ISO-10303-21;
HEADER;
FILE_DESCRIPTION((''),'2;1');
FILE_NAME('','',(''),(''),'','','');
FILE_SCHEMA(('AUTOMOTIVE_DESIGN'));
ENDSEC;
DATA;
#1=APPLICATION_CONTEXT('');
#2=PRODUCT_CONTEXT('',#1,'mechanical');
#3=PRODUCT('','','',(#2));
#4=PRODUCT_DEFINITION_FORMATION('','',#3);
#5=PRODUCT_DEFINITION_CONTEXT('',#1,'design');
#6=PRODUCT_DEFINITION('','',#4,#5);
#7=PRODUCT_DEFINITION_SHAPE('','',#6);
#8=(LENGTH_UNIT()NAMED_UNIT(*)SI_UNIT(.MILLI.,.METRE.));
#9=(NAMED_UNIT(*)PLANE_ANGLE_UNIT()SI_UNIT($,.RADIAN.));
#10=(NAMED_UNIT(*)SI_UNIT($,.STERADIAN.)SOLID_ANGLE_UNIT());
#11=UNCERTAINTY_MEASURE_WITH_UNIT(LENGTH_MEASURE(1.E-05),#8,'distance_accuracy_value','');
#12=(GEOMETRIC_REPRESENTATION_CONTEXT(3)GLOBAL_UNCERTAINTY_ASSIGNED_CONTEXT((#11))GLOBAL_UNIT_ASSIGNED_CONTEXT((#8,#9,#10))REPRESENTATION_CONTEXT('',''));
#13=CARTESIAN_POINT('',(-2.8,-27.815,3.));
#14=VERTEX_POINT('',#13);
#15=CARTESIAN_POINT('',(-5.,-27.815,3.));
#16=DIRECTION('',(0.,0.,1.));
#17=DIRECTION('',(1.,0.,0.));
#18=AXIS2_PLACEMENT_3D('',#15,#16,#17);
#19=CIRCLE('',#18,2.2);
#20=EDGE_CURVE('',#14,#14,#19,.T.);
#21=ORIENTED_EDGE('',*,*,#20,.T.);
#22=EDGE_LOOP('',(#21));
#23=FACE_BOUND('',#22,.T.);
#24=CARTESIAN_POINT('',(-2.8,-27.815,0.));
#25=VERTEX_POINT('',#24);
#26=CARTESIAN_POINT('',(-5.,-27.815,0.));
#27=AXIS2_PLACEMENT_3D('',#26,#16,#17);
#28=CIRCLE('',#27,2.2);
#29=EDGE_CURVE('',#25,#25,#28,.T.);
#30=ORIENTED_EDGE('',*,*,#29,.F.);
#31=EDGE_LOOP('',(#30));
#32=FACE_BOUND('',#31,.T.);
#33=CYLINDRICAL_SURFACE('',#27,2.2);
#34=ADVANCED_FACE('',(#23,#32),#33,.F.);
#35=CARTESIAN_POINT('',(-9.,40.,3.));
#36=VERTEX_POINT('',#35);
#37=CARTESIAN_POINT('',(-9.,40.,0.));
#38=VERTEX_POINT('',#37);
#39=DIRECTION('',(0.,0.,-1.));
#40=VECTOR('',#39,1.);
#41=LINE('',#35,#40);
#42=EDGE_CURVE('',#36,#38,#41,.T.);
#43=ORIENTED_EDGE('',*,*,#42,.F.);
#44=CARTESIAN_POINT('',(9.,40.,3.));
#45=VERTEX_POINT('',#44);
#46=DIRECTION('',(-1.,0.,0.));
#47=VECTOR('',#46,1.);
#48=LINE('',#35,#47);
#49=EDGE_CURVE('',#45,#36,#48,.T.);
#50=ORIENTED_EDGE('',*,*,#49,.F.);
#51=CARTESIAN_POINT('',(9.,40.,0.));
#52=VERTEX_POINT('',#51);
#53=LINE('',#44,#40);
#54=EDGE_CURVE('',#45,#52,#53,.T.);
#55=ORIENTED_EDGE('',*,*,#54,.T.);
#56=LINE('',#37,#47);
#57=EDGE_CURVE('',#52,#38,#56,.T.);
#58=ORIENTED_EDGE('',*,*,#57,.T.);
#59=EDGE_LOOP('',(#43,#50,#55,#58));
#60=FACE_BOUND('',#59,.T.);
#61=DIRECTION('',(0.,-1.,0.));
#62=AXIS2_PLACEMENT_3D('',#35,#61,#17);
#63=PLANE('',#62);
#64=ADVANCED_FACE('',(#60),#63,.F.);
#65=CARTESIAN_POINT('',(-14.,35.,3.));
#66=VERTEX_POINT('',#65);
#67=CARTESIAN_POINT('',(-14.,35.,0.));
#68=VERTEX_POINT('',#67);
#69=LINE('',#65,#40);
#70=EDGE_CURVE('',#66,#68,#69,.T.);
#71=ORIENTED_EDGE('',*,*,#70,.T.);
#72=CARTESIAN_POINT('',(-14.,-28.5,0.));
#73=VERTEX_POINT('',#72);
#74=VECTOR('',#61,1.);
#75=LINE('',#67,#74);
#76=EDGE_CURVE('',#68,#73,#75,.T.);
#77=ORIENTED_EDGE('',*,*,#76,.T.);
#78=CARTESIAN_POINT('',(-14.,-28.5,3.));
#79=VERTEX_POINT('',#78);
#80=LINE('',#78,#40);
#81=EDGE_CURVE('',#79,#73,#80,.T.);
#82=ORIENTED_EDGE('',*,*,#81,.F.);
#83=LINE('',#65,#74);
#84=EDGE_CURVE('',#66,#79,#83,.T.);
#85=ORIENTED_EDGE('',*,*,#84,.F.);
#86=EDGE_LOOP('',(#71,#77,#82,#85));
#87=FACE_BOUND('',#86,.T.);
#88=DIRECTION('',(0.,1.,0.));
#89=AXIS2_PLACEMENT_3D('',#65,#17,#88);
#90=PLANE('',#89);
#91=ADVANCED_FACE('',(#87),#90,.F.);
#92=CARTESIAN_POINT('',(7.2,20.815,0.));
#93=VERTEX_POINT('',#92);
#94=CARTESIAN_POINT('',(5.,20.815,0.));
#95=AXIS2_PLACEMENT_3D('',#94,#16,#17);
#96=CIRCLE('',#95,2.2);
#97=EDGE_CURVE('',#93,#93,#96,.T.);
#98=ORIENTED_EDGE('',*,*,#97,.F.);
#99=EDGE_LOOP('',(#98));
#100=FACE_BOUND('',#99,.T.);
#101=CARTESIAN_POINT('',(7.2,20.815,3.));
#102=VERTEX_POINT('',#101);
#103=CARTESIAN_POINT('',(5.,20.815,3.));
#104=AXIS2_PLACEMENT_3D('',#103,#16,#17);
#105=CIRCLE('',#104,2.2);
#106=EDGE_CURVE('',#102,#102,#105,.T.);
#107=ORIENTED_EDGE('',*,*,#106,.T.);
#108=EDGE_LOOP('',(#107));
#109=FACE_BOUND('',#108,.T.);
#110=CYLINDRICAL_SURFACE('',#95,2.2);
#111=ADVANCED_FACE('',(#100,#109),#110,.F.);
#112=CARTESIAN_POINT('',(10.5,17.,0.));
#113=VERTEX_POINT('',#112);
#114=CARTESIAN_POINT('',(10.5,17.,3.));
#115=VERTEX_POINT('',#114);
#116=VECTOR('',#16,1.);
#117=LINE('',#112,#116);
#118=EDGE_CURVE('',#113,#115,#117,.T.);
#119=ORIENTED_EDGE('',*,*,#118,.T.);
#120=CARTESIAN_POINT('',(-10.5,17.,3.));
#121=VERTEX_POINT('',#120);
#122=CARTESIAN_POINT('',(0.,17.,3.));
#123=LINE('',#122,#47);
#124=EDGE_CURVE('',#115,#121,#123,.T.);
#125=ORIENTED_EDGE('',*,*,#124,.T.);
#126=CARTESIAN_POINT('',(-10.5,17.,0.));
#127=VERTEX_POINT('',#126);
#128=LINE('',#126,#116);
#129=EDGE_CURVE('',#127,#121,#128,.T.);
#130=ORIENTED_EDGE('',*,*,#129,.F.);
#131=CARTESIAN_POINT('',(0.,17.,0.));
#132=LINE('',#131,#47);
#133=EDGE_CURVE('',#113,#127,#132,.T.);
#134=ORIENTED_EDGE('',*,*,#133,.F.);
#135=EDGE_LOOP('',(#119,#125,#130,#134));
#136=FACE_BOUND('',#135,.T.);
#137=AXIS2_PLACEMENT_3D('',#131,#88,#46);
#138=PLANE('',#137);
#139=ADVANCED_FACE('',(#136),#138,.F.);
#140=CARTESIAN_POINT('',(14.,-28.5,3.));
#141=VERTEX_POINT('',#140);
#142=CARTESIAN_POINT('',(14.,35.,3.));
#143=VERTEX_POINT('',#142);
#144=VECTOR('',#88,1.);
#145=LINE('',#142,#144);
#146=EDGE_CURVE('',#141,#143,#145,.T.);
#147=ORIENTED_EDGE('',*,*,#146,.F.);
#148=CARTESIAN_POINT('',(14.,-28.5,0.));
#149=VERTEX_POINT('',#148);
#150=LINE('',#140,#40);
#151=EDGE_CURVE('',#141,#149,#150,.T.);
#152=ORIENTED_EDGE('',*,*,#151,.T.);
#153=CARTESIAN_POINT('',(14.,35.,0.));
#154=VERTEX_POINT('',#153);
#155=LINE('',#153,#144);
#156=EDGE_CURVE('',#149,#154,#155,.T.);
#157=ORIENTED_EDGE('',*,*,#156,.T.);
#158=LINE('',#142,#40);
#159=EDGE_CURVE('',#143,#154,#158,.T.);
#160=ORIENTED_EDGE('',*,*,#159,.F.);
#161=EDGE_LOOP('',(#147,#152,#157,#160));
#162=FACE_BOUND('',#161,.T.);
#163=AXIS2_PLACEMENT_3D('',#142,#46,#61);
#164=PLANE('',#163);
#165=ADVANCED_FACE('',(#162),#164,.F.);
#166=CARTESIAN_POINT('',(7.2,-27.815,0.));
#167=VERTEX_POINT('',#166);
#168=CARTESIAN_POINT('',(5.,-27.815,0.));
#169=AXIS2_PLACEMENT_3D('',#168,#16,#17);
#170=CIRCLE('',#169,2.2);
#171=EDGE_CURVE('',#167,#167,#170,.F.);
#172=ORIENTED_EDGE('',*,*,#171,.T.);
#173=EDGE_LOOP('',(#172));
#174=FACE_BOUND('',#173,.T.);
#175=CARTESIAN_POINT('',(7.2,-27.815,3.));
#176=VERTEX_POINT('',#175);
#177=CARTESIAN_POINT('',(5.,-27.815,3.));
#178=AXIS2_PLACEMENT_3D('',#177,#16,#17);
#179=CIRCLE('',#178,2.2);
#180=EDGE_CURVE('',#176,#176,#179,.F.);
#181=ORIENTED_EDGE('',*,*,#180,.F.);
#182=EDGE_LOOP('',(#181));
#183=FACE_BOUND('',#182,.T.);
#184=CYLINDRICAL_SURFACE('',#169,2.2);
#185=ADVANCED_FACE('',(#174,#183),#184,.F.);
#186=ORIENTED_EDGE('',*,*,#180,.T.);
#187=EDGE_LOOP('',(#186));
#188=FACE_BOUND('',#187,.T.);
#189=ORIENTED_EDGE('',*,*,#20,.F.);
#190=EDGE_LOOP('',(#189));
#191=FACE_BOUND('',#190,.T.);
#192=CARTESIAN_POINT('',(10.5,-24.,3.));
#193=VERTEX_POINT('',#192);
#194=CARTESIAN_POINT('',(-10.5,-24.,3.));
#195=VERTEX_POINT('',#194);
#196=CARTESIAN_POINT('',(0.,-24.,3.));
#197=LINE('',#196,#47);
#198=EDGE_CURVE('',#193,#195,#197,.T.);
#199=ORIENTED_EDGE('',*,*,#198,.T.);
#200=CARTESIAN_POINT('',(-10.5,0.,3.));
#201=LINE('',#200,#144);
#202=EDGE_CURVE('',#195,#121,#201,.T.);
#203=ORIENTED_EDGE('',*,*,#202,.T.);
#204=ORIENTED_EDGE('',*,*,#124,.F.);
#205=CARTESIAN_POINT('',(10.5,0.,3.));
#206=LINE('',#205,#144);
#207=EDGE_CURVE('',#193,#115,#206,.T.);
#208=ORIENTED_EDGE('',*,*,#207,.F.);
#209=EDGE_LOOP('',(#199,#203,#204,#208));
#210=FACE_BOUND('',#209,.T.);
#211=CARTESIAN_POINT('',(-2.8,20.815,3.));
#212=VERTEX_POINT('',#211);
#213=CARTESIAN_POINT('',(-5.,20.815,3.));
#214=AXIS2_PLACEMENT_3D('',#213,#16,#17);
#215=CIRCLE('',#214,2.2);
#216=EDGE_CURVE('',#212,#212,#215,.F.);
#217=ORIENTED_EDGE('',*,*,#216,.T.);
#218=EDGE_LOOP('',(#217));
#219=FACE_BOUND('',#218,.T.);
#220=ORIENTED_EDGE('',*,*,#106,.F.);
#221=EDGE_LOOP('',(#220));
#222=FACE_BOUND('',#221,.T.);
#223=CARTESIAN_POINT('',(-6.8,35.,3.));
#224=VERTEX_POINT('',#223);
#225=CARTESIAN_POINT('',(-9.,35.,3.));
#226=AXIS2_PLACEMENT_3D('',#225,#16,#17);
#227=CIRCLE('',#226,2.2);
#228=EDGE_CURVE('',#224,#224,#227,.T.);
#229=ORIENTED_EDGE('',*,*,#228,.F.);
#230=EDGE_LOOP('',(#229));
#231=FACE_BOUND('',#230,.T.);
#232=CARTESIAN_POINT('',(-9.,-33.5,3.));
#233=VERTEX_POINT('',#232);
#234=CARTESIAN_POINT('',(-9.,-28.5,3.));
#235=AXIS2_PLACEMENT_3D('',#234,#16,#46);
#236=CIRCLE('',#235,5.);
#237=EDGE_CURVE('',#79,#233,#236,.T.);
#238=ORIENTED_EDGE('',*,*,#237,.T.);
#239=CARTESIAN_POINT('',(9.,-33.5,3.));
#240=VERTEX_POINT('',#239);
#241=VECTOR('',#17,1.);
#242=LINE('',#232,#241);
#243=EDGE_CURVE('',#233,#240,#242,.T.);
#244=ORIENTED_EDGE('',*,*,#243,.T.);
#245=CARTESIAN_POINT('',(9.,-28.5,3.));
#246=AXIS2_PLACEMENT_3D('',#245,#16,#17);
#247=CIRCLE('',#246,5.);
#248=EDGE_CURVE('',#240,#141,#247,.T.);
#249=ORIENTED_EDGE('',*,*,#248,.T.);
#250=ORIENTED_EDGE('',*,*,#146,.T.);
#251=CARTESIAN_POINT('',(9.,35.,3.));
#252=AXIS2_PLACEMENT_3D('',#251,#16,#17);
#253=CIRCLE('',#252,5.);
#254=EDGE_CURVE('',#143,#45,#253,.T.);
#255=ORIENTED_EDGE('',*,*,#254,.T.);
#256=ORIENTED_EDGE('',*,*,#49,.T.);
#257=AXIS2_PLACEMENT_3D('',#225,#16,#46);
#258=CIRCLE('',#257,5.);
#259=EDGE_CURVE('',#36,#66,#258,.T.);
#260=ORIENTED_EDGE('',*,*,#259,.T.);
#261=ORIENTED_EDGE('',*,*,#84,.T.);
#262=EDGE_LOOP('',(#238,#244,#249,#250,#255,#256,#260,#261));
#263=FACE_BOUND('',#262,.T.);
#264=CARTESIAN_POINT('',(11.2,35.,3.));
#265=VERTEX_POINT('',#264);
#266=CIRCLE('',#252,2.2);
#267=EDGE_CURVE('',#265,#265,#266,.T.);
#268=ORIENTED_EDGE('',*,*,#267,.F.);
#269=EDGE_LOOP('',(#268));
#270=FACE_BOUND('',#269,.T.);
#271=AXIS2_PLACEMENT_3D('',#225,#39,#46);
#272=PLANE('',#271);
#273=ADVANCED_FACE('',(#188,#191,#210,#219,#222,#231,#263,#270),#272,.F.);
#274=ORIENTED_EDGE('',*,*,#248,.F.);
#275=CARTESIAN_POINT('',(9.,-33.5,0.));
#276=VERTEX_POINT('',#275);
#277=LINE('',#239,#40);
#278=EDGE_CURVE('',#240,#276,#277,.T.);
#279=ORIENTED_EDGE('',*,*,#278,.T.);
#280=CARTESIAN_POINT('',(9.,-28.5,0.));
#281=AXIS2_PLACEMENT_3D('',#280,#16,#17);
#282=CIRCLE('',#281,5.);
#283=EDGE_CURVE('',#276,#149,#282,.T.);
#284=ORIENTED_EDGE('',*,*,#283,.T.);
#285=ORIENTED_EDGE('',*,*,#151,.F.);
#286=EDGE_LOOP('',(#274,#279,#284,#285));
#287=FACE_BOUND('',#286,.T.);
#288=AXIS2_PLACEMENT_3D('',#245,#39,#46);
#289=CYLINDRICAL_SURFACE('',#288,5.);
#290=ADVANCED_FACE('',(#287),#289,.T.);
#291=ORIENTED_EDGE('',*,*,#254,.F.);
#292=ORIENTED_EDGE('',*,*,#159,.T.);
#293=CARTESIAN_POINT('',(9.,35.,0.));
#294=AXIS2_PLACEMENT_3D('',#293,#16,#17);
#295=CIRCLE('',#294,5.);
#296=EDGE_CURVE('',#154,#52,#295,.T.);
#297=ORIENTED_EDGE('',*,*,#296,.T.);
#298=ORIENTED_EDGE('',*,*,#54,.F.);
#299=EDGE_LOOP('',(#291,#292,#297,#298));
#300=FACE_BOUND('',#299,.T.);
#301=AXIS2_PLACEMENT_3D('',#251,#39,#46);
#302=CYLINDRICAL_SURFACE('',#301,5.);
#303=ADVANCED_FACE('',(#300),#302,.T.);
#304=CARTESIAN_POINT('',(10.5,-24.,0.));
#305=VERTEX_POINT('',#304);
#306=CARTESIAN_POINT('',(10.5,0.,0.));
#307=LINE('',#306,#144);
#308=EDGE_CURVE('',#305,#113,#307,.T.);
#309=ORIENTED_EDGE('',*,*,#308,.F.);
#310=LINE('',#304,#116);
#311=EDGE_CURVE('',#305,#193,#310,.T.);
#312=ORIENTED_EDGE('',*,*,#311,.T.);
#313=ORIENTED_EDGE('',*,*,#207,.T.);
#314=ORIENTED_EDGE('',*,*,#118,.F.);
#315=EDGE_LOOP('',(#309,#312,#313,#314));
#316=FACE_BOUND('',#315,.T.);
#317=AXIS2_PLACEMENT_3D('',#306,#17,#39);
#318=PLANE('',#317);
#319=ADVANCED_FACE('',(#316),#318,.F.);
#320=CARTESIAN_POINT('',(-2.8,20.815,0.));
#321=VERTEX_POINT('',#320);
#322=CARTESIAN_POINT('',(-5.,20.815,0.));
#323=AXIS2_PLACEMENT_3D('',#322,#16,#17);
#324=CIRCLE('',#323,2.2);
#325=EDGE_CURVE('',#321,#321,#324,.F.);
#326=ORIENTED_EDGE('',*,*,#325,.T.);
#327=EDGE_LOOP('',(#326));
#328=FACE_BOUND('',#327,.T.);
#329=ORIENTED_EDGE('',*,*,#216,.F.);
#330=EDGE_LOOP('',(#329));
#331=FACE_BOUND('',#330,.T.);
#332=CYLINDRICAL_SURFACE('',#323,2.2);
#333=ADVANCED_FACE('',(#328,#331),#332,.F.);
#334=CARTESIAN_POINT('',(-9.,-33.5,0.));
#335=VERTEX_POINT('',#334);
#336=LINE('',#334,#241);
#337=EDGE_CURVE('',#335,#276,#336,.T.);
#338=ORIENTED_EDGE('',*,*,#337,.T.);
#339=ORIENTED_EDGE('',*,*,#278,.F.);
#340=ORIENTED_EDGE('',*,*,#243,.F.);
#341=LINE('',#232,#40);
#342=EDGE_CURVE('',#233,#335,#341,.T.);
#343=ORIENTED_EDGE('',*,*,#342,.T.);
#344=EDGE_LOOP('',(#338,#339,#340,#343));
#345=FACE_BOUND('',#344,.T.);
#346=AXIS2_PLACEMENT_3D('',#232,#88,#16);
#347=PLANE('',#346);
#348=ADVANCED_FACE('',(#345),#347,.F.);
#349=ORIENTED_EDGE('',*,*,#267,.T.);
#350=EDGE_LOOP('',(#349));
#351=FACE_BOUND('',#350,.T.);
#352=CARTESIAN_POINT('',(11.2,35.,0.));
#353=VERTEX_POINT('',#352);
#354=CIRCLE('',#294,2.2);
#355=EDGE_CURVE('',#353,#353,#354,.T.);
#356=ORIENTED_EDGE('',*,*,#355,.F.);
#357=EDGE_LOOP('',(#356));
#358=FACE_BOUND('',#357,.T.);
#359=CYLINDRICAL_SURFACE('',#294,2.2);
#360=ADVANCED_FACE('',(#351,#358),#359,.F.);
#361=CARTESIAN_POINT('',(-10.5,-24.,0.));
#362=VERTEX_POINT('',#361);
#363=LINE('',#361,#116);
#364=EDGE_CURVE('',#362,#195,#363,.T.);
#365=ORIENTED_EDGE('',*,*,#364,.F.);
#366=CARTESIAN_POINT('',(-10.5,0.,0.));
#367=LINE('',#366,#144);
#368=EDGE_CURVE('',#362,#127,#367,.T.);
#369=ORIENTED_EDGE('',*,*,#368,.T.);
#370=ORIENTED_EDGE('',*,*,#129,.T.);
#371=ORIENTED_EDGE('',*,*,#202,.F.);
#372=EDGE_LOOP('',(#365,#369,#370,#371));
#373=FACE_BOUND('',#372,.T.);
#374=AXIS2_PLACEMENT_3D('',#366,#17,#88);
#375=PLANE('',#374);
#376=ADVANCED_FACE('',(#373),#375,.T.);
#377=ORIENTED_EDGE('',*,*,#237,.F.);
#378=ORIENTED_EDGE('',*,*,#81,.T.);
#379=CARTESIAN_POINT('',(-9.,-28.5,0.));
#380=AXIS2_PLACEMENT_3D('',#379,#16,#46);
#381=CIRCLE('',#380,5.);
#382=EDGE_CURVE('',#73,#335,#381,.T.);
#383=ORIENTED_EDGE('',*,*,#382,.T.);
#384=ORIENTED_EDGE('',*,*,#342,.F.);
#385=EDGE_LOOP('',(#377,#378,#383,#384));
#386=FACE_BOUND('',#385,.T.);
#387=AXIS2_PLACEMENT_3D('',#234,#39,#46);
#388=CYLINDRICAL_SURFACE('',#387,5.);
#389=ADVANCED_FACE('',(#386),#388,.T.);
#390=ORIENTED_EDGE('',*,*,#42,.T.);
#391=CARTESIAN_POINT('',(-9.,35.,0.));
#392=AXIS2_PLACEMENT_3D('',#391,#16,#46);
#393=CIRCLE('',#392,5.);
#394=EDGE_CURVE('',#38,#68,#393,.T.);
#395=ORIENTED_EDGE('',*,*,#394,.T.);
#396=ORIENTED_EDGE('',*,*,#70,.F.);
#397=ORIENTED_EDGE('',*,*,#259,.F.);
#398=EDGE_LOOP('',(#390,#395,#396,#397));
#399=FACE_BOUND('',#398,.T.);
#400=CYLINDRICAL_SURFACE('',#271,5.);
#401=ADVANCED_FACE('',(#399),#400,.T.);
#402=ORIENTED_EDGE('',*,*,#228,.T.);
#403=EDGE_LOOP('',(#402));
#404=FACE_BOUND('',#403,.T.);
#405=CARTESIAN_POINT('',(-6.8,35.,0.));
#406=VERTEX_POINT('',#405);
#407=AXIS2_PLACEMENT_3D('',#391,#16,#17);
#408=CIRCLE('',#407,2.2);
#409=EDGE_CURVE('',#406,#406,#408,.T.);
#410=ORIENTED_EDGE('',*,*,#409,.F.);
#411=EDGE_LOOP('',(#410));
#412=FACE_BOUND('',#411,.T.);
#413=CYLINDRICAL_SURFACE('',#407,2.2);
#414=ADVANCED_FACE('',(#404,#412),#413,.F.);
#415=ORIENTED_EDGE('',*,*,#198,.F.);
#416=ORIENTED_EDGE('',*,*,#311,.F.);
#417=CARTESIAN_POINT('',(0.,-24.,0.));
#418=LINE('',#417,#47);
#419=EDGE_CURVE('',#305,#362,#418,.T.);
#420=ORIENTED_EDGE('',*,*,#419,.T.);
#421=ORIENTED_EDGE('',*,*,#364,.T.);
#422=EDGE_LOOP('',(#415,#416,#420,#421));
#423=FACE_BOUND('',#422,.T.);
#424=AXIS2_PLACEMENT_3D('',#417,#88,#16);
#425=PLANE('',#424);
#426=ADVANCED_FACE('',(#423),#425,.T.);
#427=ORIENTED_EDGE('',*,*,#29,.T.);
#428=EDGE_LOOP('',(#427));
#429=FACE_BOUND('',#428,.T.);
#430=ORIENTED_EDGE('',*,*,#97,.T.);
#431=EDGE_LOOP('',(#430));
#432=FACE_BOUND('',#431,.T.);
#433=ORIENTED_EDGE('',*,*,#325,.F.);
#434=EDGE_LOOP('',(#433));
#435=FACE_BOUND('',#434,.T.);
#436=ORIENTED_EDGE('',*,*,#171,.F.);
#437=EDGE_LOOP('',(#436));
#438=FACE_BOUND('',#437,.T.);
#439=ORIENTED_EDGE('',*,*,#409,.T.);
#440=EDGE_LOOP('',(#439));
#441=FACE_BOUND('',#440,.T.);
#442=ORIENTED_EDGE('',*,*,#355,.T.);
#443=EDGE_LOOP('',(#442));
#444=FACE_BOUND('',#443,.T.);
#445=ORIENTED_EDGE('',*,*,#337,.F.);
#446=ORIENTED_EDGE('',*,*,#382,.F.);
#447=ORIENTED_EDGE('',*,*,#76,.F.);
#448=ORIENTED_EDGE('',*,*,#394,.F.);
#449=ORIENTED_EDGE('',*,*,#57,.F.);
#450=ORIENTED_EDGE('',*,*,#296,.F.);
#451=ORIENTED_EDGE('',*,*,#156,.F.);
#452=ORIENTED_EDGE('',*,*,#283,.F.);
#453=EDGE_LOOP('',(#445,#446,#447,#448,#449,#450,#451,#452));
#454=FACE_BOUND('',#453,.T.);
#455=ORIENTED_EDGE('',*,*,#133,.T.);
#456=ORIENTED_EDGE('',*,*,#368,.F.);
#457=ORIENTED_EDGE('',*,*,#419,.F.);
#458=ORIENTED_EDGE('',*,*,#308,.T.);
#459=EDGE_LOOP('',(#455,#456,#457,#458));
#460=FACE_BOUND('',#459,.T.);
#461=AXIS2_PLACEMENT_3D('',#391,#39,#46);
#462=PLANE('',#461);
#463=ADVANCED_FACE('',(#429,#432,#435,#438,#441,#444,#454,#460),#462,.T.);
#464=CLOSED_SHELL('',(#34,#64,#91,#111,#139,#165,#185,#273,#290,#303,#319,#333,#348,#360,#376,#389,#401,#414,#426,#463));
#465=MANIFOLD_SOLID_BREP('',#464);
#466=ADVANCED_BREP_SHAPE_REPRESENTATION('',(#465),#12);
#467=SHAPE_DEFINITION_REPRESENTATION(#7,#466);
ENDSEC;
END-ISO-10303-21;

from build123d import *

# Parameters (mm, degrees)
EXTRUDE_1_DEPTH     = 3
SKETCH_3_R          = 2.2
SKETCH_3_W          = 21
SKETCH_3_H          = 41
CUT_EXTRUDE_1_DEPTH = 4
SKETCH_4_R          = 2.2
CUT_EXTRUDE_2_DEPTH = 4


with BuildPart() as part:
    # 草图2 → 凸台-拉伸1 (new body)
    with BuildSketch(Plane.XY):
        with BuildLine():
            Line((-9, -33.5), (9, -33.5))
            ThreePointArc((9, -33.5), (12.535533906, -32.035533906), (14, -28.5))
            Line((14, -28.5), (14, 35))
            ThreePointArc((14, 35), (12.535533906, 38.535533906), (9, 40))
            Line((9, 40), (-9, 40))
            ThreePointArc((-9, 40), (-12.535533906, 38.535533906), (-14, 35))
            Line((-14, 35), (-14, -28.5))
            ThreePointArc((-14, -28.5), (-12.535533906, -32.035533906), (-9, -33.5))
        make_face()
    extrude(amount=EXTRUDE_1_DEPTH)

    # 草图3 → 切除-拉伸1 (cut, through all)
    with BuildSketch(Plane.XY.offset(3)):
        with Locations((-5, 20.815)):
            Circle(SKETCH_3_R)
        with Locations((-5, -27.815)):
            Circle(SKETCH_3_R)
        with Locations((0, -3.5)):
            Rectangle(SKETCH_3_W, SKETCH_3_H)
        with Locations((5, -27.815)):
            Circle(SKETCH_3_R)
        with Locations((5, 20.815)):
            Circle(SKETCH_3_R)
    extrude(amount=-CUT_EXTRUDE_1_DEPTH, mode=Mode.SUBTRACT)

    # 草图4 → 切除-拉伸2 (cut, through all)
    with BuildSketch(Plane.XY.offset(3)):
        with Locations((-9, 35)):
            Circle(SKETCH_4_R)
        with Locations((9, 35)):
            Circle(SKETCH_4_R)
    extrude(amount=-CUT_EXTRUDE_2_DEPTH, mode=Mode.SUBTRACT)


solid = part.part
